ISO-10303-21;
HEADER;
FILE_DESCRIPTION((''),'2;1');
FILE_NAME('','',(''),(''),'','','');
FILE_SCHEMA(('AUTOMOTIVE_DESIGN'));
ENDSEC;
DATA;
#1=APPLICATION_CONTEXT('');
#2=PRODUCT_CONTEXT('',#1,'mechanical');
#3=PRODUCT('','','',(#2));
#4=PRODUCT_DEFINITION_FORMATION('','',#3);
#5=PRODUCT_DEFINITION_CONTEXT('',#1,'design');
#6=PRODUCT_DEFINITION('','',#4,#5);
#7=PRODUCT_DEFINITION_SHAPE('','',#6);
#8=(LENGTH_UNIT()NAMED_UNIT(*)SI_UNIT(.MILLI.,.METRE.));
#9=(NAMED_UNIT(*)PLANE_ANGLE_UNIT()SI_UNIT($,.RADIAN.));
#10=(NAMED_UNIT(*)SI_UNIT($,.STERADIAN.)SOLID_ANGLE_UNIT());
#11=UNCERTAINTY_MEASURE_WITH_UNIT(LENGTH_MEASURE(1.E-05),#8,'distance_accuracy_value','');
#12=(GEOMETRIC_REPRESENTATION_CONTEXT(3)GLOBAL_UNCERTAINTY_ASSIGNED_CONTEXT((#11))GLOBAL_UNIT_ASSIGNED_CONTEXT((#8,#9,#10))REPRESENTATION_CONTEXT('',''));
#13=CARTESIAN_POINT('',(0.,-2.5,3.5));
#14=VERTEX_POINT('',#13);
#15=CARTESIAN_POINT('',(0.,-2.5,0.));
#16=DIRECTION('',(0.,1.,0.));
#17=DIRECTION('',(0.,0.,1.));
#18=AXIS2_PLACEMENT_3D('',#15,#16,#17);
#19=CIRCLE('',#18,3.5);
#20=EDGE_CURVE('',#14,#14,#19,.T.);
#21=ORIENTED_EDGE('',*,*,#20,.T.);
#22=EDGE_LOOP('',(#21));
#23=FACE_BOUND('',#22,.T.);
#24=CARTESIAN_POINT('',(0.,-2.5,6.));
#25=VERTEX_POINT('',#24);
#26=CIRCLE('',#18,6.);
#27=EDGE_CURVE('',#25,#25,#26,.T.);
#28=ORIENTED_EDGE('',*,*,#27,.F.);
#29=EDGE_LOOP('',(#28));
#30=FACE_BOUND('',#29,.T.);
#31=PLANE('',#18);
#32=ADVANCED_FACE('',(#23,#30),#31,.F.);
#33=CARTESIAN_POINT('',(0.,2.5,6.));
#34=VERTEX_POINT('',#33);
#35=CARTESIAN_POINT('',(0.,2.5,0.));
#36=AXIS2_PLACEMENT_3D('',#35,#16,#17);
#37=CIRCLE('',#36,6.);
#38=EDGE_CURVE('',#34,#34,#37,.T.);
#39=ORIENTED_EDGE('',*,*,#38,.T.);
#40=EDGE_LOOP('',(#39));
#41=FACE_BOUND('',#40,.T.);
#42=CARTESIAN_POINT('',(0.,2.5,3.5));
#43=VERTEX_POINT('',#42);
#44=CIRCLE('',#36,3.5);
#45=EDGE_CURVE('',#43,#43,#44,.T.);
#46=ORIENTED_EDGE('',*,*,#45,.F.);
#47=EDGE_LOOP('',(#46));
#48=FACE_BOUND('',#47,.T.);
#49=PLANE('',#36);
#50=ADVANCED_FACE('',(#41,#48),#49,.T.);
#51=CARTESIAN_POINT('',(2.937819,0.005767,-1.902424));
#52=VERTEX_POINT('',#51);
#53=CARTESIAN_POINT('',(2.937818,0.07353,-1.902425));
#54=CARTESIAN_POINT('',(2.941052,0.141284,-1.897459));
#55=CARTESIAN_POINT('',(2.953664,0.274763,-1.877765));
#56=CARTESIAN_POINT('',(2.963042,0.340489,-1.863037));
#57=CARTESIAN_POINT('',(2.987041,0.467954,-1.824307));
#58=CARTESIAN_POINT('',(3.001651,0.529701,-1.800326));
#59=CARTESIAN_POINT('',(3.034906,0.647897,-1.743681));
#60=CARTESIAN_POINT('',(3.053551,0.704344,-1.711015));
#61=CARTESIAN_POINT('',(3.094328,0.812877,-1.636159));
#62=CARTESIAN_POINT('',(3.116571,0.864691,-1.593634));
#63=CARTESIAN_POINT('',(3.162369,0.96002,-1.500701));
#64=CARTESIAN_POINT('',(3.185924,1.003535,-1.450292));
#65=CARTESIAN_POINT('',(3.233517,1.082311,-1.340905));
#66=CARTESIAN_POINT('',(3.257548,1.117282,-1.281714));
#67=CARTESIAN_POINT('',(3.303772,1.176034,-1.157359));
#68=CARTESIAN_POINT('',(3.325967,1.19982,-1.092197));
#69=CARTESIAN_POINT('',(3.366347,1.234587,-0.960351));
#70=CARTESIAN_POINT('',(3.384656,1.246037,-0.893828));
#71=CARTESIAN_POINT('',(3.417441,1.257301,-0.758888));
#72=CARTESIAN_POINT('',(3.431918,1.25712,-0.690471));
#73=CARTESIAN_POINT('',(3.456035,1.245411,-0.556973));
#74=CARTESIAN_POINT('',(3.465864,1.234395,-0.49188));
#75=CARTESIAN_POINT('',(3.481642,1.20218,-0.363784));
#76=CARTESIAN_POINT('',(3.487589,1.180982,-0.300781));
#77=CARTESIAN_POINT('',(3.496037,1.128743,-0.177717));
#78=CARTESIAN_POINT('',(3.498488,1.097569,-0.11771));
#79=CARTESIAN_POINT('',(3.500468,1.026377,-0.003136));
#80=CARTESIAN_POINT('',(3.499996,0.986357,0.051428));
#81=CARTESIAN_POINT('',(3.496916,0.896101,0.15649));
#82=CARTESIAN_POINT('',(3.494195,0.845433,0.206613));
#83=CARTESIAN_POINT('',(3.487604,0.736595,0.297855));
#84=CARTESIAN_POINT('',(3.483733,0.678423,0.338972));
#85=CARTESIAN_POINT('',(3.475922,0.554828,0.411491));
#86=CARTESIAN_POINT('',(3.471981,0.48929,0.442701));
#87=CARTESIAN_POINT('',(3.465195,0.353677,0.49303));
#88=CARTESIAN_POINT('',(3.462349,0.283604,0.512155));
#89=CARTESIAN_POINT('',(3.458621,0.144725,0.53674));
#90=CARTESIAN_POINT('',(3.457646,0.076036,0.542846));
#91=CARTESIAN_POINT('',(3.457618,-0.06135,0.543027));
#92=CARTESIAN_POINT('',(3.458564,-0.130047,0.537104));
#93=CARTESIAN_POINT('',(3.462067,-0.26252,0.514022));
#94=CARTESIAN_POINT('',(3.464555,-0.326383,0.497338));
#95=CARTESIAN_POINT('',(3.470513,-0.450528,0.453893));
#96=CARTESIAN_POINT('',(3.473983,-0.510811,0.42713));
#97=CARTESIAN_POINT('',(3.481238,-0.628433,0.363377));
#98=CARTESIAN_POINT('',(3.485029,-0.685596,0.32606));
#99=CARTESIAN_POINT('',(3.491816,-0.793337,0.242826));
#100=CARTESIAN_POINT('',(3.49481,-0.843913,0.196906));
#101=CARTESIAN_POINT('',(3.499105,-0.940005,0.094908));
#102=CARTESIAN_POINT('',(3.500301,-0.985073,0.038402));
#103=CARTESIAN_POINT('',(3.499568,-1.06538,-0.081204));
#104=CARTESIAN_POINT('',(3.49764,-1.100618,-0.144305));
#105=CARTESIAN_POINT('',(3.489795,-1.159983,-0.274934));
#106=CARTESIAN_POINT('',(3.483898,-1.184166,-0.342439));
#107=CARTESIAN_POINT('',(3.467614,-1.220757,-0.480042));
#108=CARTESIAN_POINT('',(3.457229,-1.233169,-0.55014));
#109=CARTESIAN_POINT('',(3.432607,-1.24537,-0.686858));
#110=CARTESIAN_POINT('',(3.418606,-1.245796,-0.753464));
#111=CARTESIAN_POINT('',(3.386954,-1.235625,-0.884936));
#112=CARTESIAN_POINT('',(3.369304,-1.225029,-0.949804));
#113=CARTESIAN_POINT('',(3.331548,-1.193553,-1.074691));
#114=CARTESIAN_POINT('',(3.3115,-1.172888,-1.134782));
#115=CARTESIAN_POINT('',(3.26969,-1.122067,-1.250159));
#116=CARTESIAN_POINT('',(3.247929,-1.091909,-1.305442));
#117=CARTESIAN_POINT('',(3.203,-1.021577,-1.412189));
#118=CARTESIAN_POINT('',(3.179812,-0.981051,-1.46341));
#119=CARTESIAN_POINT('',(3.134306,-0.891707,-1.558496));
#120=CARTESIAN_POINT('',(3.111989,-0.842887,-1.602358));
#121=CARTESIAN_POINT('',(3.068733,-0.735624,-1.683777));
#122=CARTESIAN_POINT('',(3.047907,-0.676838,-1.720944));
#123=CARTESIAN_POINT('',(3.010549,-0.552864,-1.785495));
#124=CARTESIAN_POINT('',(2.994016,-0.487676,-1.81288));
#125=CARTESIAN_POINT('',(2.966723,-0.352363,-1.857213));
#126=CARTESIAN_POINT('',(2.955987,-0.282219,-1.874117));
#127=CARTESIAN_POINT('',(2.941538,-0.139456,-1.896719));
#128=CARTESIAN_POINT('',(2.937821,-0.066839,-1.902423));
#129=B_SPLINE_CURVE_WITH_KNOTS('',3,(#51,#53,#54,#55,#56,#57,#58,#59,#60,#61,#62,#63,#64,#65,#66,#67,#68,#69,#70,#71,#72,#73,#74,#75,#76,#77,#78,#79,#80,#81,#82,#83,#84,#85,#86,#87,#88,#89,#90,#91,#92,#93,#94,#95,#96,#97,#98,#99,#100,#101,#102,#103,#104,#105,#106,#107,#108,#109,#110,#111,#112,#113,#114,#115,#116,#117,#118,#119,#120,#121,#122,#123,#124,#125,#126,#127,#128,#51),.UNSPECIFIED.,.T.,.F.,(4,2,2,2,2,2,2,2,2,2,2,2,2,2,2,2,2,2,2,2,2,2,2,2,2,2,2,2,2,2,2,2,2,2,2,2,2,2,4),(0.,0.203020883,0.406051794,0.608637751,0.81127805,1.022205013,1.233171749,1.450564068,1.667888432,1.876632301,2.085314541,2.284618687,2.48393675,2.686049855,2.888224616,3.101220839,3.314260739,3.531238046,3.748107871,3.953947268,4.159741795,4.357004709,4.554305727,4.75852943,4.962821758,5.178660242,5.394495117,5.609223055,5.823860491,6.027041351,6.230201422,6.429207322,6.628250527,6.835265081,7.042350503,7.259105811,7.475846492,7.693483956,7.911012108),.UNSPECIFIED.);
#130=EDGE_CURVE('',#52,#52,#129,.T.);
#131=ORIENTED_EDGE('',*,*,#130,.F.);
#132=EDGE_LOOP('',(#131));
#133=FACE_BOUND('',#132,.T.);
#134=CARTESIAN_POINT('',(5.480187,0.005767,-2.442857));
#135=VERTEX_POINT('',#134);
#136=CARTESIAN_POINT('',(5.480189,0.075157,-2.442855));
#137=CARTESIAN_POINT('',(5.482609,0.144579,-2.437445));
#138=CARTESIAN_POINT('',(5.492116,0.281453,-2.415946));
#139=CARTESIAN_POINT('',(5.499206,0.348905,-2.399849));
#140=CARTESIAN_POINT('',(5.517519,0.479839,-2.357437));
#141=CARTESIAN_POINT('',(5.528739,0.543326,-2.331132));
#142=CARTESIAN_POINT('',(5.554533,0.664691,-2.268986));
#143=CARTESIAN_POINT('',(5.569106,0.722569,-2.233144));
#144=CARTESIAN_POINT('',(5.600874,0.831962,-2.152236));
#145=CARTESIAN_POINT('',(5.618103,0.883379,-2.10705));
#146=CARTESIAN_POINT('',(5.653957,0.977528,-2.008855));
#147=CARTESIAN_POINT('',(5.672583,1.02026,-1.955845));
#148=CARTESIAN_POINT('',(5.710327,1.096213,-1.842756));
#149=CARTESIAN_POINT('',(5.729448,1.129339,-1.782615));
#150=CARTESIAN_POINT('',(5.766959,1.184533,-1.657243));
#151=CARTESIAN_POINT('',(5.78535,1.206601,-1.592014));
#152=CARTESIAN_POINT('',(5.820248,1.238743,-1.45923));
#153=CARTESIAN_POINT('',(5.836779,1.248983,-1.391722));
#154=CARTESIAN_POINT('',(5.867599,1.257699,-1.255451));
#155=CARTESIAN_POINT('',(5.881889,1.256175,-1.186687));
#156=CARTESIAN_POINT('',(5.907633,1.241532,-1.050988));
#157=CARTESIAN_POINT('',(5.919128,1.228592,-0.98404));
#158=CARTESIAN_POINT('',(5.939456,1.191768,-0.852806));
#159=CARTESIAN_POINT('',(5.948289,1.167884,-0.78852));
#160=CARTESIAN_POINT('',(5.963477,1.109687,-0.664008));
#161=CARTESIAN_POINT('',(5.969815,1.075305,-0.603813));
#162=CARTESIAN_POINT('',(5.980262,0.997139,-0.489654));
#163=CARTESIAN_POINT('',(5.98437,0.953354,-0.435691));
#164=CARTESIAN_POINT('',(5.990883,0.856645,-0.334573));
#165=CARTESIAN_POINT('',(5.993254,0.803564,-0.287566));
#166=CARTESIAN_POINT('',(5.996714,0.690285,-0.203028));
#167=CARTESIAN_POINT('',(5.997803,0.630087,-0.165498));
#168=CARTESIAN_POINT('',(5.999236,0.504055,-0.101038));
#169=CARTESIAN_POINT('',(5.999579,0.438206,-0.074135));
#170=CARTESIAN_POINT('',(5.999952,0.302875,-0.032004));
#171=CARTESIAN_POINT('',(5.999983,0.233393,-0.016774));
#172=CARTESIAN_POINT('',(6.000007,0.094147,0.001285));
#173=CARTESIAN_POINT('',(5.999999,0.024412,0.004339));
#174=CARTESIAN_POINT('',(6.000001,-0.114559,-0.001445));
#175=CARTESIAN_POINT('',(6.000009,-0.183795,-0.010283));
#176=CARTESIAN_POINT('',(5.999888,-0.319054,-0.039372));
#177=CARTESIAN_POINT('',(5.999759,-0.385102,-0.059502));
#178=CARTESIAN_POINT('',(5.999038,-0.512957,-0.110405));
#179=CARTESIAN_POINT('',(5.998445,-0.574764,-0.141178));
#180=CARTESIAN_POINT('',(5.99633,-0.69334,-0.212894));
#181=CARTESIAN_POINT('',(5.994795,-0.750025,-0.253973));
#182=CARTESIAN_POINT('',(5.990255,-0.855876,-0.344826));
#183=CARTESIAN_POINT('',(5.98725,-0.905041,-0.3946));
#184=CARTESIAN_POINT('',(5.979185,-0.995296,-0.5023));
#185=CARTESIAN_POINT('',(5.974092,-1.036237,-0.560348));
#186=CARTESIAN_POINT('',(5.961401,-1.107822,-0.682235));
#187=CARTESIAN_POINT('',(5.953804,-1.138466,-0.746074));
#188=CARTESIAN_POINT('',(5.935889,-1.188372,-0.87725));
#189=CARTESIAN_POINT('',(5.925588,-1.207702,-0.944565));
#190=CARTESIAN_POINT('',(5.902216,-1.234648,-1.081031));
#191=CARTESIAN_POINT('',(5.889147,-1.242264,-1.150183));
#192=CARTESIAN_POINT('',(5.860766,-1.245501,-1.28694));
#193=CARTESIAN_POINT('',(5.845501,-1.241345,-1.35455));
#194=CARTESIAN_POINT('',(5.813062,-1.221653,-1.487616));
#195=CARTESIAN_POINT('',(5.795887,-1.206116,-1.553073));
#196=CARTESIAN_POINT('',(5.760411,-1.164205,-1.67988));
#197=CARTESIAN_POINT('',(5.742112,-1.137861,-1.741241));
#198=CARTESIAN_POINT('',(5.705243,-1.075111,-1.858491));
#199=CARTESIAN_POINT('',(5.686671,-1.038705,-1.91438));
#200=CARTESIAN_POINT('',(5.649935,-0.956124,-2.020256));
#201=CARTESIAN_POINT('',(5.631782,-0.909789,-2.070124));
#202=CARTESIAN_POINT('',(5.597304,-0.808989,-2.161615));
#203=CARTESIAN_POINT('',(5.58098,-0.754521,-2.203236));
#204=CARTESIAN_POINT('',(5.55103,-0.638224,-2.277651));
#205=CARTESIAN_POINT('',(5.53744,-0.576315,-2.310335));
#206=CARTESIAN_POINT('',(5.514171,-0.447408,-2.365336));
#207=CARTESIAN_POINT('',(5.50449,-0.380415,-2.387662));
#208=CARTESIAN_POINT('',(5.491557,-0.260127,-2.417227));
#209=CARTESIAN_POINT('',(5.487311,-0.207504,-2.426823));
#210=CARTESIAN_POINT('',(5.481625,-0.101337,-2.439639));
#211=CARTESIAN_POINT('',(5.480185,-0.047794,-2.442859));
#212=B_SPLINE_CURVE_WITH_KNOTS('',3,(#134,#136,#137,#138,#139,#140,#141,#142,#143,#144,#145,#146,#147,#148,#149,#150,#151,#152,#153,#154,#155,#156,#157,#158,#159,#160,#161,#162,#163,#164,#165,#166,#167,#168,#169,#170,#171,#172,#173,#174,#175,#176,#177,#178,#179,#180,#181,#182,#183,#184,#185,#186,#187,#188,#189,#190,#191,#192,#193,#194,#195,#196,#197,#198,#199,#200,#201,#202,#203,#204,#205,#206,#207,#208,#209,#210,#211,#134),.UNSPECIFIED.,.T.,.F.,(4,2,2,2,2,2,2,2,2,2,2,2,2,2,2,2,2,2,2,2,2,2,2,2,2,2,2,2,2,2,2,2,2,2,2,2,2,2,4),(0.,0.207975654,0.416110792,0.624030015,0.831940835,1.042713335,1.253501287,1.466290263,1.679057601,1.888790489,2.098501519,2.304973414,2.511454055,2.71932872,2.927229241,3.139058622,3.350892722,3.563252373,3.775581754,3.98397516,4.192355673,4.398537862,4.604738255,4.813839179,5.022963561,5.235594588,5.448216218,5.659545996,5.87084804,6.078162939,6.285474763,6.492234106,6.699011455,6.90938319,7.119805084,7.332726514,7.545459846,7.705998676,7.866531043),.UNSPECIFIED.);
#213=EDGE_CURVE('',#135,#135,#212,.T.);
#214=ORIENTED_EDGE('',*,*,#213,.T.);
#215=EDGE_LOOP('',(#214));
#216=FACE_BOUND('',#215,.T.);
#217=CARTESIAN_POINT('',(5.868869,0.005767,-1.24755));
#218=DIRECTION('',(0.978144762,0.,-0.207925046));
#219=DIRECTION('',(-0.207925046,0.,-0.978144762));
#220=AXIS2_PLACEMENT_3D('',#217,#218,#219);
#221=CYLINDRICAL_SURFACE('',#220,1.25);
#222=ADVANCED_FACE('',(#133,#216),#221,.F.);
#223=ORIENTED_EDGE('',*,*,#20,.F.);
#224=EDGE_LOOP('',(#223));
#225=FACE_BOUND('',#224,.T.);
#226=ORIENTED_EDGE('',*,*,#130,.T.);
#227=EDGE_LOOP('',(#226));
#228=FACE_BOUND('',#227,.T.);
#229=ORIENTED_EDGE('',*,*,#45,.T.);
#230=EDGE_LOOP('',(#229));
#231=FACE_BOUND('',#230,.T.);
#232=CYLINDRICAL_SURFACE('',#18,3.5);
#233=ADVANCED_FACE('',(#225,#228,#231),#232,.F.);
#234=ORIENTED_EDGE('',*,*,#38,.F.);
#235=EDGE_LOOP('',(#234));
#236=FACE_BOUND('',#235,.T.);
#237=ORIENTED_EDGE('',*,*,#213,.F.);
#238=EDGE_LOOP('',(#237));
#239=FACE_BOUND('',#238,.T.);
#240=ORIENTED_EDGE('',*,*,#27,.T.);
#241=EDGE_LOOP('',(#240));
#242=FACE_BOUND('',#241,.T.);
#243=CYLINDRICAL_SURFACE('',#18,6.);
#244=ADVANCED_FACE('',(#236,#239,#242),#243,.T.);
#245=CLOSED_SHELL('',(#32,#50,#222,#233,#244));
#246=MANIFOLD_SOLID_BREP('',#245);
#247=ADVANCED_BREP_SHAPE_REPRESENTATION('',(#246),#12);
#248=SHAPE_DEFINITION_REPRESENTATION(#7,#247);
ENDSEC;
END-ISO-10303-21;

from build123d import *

# Parameters (mm, degrees)
EXTRUDE_1_DEPTH         = 2.5
EXTRUDE_1_DEPTH_BACK    = 2.5
SKETCH_1_R              = 6
SKETCH_1_R_2            = 3.5
HOLE_WIZARD_M3_2_REACH  = 16.131
HOLE_WIZARD_M3_2_BORE_R = 1.25


with BuildPart() as part:
    # 草图1 → 凸台-拉伸1 (new, two sides: drawn at the far end of the back side and taken through both)
    with BuildSketch(Plane(origin=(0, 0, 0), x_dir=(1, 0, 0), z_dir=(0, 1, 0)).offset(-EXTRUDE_1_DEPTH_BACK)):
        with Locations(Location((0, 0, 0), (0, 0, 270))):
            Circle(SKETCH_1_R)
        with Locations(Location((0, 0, 0), (0, 0, 270))):
            Circle(SKETCH_1_R_2, mode=Mode.SUBTRACT)
    extrude(amount=EXTRUDE_1_DEPTH + EXTRUDE_1_DEPTH_BACK)

    # M3 螺纹孔2 bore (on position points) → M3 螺纹孔2 (cut, up to next)
    with BuildSketch(Plane(origin=(5.868868572, 0.005766824, -1.247550275), x_dir=(0.207925045821, 0, 0.978144761945), z_dir=(0.978144761945, 0, -0.207925045821)), mode=Mode.PRIVATE) as hole_wizard_m3_2_sk1:
        Circle(HOLE_WIZARD_M3_2_BORE_R)
    hole_wizard_m3_2_tool1 = extrude(hole_wizard_m3_2_sk1.sketch, amount=-HOLE_WIZARD_M3_2_REACH, mode=Mode.PRIVATE) & part.part
    add(hole_wizard_m3_2_tool1.solids().sort_by_distance((5.868869, 0.005767, -1.24755))[0], mode=Mode.SUBTRACT)


solid = part.part
